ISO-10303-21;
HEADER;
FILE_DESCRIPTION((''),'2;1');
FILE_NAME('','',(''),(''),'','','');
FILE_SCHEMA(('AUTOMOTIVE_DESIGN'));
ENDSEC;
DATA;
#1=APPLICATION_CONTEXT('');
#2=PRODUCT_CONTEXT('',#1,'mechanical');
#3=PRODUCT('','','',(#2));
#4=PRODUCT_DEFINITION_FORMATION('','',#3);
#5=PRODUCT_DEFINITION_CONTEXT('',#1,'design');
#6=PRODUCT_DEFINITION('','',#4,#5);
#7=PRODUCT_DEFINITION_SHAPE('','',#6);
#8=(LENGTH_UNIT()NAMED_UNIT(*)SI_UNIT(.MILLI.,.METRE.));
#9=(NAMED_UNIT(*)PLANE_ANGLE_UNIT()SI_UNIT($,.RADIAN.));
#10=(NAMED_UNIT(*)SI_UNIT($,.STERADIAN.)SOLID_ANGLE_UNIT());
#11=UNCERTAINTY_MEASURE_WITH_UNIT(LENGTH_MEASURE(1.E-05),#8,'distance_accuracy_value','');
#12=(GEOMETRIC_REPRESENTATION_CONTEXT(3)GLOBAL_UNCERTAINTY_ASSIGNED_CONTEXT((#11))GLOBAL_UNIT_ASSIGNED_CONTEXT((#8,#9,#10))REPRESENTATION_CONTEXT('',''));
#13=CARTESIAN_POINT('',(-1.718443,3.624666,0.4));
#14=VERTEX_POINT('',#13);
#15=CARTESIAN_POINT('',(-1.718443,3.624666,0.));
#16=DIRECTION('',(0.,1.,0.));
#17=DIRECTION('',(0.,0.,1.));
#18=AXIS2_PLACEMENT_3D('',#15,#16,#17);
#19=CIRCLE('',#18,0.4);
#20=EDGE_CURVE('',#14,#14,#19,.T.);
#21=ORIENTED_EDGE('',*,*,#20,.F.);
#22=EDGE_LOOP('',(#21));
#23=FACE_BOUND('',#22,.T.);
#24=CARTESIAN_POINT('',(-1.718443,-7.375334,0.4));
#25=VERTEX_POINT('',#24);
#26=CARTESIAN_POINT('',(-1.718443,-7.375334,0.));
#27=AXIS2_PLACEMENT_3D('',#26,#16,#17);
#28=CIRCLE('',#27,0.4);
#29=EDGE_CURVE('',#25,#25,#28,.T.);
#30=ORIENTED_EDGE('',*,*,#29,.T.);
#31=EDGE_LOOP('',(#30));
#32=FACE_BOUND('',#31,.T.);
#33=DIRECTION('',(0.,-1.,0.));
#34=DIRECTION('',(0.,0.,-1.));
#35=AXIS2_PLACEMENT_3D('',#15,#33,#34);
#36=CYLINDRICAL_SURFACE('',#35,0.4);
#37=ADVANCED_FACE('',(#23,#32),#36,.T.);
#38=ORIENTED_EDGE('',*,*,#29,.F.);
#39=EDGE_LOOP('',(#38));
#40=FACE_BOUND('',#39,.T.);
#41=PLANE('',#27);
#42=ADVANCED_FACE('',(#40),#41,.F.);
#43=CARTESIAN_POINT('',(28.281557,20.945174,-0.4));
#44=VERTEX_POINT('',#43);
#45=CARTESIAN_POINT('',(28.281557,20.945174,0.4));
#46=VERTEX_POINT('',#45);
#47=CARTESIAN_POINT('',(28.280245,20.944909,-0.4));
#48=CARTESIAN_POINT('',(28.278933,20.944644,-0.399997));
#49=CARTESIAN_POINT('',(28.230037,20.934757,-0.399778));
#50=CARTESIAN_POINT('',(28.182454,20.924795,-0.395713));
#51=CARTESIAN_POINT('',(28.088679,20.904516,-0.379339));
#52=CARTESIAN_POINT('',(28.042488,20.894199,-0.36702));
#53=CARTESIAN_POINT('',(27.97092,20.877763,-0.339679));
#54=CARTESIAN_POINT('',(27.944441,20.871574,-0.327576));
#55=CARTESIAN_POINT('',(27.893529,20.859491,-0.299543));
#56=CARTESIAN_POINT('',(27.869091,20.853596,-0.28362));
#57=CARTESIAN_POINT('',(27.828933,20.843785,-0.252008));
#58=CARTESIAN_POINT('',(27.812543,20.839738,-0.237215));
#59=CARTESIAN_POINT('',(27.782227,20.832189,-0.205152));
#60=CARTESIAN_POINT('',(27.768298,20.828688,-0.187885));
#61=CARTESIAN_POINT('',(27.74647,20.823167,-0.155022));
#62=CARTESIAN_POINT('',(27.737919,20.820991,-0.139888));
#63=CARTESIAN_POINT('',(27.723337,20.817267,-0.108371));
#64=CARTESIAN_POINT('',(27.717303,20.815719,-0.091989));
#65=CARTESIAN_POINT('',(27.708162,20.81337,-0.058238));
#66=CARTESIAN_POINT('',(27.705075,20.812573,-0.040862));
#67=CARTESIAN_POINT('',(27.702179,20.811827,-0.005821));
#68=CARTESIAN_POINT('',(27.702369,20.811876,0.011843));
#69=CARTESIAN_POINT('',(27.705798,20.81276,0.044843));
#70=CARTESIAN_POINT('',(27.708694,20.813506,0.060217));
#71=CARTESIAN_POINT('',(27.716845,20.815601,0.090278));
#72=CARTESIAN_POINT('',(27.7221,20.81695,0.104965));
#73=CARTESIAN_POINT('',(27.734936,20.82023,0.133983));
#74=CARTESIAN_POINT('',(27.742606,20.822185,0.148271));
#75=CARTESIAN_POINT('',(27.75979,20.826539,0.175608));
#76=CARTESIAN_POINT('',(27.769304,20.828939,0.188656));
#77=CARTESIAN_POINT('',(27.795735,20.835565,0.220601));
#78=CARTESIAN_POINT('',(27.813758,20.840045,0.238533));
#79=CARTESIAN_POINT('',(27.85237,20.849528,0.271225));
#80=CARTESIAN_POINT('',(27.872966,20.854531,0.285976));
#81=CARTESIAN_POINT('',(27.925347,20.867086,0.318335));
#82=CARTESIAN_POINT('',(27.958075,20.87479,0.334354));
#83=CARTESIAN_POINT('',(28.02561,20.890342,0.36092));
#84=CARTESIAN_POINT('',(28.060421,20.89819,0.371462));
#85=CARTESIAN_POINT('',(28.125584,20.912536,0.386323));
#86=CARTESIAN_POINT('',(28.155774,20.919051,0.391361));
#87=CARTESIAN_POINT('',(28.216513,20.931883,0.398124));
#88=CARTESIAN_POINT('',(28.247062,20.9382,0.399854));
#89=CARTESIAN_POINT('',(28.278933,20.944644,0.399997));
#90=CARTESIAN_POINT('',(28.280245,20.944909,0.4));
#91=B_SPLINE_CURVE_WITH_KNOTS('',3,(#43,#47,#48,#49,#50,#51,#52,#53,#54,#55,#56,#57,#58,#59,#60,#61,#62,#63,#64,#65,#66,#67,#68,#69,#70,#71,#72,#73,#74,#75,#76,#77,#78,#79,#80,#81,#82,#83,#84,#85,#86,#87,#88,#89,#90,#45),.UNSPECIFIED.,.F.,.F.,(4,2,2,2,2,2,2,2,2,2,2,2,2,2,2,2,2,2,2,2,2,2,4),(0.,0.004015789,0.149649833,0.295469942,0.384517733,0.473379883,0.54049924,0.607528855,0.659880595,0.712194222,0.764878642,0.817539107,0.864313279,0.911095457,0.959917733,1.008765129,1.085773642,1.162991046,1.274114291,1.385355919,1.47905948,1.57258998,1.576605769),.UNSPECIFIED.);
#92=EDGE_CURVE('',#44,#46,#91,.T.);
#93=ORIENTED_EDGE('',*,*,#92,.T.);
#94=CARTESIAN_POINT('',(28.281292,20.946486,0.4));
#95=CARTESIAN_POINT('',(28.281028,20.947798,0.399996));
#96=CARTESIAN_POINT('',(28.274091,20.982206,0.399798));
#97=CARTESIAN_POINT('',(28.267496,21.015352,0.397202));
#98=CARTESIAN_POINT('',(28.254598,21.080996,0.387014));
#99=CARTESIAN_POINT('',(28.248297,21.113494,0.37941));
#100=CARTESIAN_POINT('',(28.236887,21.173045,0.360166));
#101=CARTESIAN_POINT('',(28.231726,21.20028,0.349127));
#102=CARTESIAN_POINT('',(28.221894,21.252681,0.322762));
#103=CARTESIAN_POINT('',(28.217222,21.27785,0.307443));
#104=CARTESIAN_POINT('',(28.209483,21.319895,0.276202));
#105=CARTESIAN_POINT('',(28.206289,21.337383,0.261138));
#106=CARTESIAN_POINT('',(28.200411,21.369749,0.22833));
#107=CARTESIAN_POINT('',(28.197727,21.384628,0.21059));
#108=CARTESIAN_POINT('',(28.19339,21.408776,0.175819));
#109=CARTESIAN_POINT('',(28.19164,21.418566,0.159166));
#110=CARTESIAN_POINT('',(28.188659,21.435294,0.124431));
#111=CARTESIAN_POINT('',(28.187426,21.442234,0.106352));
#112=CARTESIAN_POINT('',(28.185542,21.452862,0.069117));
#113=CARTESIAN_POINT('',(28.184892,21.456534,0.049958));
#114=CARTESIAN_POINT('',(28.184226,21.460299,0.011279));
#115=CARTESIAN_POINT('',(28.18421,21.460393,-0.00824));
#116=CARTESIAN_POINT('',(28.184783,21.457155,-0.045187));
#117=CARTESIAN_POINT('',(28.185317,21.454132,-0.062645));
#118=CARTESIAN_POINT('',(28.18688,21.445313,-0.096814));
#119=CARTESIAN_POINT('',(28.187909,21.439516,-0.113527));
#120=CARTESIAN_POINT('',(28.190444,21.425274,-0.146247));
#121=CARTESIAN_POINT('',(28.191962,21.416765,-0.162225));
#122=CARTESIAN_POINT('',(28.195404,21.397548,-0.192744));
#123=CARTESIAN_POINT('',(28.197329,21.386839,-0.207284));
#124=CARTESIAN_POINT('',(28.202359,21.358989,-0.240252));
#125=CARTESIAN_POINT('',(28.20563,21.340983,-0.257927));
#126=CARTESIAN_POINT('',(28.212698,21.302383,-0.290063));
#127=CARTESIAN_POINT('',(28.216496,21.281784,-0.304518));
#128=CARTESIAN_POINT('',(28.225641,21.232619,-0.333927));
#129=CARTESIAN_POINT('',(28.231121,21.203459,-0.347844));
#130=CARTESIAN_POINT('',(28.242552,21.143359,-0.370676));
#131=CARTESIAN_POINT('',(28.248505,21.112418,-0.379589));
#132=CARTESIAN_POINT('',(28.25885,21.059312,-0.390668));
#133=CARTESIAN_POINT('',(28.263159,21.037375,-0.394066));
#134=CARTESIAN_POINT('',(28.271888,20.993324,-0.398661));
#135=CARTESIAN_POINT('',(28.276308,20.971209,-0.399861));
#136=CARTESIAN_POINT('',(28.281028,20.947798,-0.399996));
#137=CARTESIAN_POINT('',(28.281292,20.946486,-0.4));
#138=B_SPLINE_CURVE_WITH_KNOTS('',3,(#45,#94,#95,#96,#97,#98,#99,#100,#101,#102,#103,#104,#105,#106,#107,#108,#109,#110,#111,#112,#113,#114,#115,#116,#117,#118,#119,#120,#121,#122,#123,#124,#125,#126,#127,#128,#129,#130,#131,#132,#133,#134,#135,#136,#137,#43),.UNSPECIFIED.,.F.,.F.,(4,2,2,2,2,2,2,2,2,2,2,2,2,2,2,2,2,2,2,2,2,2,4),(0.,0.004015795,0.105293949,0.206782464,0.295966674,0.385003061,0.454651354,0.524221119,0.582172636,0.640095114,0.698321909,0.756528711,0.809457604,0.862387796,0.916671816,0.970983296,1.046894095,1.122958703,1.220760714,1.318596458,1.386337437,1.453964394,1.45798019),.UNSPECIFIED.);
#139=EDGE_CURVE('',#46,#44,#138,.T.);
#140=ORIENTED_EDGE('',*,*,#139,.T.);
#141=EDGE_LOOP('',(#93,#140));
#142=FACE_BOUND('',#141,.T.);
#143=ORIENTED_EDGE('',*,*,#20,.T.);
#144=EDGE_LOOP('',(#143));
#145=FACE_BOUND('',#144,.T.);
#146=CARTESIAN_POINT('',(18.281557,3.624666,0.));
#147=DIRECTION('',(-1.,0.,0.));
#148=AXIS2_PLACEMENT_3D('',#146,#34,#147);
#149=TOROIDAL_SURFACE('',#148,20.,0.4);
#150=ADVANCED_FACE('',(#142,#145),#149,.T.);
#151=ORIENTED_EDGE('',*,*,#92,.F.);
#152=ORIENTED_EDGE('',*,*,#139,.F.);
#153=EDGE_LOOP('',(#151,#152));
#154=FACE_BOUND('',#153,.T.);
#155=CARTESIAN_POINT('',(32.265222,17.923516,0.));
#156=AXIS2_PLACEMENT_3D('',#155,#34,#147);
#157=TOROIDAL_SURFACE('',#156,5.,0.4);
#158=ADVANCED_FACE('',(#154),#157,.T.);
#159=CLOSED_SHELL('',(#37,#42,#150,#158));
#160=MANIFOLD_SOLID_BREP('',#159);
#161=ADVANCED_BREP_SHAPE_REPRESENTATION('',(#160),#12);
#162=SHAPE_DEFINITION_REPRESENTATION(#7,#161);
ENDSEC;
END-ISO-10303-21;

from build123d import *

# Parameters (mm, degrees)
SKETCH2_R = 0.4
SKETCH3_R = 0.4


with BuildPart() as part:
    # Sweep4: sweep along a path in Sketch1
    with BuildLine(Plane.XY) as sweep4_path:
        Line((-1.718442937, -7.375333855), (-1.718442937, 3.624666145))
        ThreePointArc((-1.718442937, 3.624666145), (8.281557063, 20.94517422), (28.281557063, 20.94517422))
    # Sketch2 → Sweep4 (sweep)
    with BuildSketch(Plane(origin=(-1.718442937, -7.375333855, 0), x_dir=(1, 0, 0), z_dir=(0, 1, 0))):
        Circle(SKETCH2_R)
    sweep(path=sweep4_path.line)

    # Sweep5: sweep along a path in Sketch4
    with BuildLine(Plane.XY) as sweep5_path:
        CenterArc((32.265221777, 17.923516489), 5, 0, 360)
    # Sketch3 → Sweep5 (sweep)
    with BuildSketch(Plane(origin=(28.281557063, 20.94517422, 0), x_dir=(-0.7967329428042198, 0.6043315462976658, 0), z_dir=(-0.6043315462976658, -0.7967329428042198, 0))):
        Circle(SKETCH3_R)
    sweep(path=sweep5_path.line)


solid = part.part
